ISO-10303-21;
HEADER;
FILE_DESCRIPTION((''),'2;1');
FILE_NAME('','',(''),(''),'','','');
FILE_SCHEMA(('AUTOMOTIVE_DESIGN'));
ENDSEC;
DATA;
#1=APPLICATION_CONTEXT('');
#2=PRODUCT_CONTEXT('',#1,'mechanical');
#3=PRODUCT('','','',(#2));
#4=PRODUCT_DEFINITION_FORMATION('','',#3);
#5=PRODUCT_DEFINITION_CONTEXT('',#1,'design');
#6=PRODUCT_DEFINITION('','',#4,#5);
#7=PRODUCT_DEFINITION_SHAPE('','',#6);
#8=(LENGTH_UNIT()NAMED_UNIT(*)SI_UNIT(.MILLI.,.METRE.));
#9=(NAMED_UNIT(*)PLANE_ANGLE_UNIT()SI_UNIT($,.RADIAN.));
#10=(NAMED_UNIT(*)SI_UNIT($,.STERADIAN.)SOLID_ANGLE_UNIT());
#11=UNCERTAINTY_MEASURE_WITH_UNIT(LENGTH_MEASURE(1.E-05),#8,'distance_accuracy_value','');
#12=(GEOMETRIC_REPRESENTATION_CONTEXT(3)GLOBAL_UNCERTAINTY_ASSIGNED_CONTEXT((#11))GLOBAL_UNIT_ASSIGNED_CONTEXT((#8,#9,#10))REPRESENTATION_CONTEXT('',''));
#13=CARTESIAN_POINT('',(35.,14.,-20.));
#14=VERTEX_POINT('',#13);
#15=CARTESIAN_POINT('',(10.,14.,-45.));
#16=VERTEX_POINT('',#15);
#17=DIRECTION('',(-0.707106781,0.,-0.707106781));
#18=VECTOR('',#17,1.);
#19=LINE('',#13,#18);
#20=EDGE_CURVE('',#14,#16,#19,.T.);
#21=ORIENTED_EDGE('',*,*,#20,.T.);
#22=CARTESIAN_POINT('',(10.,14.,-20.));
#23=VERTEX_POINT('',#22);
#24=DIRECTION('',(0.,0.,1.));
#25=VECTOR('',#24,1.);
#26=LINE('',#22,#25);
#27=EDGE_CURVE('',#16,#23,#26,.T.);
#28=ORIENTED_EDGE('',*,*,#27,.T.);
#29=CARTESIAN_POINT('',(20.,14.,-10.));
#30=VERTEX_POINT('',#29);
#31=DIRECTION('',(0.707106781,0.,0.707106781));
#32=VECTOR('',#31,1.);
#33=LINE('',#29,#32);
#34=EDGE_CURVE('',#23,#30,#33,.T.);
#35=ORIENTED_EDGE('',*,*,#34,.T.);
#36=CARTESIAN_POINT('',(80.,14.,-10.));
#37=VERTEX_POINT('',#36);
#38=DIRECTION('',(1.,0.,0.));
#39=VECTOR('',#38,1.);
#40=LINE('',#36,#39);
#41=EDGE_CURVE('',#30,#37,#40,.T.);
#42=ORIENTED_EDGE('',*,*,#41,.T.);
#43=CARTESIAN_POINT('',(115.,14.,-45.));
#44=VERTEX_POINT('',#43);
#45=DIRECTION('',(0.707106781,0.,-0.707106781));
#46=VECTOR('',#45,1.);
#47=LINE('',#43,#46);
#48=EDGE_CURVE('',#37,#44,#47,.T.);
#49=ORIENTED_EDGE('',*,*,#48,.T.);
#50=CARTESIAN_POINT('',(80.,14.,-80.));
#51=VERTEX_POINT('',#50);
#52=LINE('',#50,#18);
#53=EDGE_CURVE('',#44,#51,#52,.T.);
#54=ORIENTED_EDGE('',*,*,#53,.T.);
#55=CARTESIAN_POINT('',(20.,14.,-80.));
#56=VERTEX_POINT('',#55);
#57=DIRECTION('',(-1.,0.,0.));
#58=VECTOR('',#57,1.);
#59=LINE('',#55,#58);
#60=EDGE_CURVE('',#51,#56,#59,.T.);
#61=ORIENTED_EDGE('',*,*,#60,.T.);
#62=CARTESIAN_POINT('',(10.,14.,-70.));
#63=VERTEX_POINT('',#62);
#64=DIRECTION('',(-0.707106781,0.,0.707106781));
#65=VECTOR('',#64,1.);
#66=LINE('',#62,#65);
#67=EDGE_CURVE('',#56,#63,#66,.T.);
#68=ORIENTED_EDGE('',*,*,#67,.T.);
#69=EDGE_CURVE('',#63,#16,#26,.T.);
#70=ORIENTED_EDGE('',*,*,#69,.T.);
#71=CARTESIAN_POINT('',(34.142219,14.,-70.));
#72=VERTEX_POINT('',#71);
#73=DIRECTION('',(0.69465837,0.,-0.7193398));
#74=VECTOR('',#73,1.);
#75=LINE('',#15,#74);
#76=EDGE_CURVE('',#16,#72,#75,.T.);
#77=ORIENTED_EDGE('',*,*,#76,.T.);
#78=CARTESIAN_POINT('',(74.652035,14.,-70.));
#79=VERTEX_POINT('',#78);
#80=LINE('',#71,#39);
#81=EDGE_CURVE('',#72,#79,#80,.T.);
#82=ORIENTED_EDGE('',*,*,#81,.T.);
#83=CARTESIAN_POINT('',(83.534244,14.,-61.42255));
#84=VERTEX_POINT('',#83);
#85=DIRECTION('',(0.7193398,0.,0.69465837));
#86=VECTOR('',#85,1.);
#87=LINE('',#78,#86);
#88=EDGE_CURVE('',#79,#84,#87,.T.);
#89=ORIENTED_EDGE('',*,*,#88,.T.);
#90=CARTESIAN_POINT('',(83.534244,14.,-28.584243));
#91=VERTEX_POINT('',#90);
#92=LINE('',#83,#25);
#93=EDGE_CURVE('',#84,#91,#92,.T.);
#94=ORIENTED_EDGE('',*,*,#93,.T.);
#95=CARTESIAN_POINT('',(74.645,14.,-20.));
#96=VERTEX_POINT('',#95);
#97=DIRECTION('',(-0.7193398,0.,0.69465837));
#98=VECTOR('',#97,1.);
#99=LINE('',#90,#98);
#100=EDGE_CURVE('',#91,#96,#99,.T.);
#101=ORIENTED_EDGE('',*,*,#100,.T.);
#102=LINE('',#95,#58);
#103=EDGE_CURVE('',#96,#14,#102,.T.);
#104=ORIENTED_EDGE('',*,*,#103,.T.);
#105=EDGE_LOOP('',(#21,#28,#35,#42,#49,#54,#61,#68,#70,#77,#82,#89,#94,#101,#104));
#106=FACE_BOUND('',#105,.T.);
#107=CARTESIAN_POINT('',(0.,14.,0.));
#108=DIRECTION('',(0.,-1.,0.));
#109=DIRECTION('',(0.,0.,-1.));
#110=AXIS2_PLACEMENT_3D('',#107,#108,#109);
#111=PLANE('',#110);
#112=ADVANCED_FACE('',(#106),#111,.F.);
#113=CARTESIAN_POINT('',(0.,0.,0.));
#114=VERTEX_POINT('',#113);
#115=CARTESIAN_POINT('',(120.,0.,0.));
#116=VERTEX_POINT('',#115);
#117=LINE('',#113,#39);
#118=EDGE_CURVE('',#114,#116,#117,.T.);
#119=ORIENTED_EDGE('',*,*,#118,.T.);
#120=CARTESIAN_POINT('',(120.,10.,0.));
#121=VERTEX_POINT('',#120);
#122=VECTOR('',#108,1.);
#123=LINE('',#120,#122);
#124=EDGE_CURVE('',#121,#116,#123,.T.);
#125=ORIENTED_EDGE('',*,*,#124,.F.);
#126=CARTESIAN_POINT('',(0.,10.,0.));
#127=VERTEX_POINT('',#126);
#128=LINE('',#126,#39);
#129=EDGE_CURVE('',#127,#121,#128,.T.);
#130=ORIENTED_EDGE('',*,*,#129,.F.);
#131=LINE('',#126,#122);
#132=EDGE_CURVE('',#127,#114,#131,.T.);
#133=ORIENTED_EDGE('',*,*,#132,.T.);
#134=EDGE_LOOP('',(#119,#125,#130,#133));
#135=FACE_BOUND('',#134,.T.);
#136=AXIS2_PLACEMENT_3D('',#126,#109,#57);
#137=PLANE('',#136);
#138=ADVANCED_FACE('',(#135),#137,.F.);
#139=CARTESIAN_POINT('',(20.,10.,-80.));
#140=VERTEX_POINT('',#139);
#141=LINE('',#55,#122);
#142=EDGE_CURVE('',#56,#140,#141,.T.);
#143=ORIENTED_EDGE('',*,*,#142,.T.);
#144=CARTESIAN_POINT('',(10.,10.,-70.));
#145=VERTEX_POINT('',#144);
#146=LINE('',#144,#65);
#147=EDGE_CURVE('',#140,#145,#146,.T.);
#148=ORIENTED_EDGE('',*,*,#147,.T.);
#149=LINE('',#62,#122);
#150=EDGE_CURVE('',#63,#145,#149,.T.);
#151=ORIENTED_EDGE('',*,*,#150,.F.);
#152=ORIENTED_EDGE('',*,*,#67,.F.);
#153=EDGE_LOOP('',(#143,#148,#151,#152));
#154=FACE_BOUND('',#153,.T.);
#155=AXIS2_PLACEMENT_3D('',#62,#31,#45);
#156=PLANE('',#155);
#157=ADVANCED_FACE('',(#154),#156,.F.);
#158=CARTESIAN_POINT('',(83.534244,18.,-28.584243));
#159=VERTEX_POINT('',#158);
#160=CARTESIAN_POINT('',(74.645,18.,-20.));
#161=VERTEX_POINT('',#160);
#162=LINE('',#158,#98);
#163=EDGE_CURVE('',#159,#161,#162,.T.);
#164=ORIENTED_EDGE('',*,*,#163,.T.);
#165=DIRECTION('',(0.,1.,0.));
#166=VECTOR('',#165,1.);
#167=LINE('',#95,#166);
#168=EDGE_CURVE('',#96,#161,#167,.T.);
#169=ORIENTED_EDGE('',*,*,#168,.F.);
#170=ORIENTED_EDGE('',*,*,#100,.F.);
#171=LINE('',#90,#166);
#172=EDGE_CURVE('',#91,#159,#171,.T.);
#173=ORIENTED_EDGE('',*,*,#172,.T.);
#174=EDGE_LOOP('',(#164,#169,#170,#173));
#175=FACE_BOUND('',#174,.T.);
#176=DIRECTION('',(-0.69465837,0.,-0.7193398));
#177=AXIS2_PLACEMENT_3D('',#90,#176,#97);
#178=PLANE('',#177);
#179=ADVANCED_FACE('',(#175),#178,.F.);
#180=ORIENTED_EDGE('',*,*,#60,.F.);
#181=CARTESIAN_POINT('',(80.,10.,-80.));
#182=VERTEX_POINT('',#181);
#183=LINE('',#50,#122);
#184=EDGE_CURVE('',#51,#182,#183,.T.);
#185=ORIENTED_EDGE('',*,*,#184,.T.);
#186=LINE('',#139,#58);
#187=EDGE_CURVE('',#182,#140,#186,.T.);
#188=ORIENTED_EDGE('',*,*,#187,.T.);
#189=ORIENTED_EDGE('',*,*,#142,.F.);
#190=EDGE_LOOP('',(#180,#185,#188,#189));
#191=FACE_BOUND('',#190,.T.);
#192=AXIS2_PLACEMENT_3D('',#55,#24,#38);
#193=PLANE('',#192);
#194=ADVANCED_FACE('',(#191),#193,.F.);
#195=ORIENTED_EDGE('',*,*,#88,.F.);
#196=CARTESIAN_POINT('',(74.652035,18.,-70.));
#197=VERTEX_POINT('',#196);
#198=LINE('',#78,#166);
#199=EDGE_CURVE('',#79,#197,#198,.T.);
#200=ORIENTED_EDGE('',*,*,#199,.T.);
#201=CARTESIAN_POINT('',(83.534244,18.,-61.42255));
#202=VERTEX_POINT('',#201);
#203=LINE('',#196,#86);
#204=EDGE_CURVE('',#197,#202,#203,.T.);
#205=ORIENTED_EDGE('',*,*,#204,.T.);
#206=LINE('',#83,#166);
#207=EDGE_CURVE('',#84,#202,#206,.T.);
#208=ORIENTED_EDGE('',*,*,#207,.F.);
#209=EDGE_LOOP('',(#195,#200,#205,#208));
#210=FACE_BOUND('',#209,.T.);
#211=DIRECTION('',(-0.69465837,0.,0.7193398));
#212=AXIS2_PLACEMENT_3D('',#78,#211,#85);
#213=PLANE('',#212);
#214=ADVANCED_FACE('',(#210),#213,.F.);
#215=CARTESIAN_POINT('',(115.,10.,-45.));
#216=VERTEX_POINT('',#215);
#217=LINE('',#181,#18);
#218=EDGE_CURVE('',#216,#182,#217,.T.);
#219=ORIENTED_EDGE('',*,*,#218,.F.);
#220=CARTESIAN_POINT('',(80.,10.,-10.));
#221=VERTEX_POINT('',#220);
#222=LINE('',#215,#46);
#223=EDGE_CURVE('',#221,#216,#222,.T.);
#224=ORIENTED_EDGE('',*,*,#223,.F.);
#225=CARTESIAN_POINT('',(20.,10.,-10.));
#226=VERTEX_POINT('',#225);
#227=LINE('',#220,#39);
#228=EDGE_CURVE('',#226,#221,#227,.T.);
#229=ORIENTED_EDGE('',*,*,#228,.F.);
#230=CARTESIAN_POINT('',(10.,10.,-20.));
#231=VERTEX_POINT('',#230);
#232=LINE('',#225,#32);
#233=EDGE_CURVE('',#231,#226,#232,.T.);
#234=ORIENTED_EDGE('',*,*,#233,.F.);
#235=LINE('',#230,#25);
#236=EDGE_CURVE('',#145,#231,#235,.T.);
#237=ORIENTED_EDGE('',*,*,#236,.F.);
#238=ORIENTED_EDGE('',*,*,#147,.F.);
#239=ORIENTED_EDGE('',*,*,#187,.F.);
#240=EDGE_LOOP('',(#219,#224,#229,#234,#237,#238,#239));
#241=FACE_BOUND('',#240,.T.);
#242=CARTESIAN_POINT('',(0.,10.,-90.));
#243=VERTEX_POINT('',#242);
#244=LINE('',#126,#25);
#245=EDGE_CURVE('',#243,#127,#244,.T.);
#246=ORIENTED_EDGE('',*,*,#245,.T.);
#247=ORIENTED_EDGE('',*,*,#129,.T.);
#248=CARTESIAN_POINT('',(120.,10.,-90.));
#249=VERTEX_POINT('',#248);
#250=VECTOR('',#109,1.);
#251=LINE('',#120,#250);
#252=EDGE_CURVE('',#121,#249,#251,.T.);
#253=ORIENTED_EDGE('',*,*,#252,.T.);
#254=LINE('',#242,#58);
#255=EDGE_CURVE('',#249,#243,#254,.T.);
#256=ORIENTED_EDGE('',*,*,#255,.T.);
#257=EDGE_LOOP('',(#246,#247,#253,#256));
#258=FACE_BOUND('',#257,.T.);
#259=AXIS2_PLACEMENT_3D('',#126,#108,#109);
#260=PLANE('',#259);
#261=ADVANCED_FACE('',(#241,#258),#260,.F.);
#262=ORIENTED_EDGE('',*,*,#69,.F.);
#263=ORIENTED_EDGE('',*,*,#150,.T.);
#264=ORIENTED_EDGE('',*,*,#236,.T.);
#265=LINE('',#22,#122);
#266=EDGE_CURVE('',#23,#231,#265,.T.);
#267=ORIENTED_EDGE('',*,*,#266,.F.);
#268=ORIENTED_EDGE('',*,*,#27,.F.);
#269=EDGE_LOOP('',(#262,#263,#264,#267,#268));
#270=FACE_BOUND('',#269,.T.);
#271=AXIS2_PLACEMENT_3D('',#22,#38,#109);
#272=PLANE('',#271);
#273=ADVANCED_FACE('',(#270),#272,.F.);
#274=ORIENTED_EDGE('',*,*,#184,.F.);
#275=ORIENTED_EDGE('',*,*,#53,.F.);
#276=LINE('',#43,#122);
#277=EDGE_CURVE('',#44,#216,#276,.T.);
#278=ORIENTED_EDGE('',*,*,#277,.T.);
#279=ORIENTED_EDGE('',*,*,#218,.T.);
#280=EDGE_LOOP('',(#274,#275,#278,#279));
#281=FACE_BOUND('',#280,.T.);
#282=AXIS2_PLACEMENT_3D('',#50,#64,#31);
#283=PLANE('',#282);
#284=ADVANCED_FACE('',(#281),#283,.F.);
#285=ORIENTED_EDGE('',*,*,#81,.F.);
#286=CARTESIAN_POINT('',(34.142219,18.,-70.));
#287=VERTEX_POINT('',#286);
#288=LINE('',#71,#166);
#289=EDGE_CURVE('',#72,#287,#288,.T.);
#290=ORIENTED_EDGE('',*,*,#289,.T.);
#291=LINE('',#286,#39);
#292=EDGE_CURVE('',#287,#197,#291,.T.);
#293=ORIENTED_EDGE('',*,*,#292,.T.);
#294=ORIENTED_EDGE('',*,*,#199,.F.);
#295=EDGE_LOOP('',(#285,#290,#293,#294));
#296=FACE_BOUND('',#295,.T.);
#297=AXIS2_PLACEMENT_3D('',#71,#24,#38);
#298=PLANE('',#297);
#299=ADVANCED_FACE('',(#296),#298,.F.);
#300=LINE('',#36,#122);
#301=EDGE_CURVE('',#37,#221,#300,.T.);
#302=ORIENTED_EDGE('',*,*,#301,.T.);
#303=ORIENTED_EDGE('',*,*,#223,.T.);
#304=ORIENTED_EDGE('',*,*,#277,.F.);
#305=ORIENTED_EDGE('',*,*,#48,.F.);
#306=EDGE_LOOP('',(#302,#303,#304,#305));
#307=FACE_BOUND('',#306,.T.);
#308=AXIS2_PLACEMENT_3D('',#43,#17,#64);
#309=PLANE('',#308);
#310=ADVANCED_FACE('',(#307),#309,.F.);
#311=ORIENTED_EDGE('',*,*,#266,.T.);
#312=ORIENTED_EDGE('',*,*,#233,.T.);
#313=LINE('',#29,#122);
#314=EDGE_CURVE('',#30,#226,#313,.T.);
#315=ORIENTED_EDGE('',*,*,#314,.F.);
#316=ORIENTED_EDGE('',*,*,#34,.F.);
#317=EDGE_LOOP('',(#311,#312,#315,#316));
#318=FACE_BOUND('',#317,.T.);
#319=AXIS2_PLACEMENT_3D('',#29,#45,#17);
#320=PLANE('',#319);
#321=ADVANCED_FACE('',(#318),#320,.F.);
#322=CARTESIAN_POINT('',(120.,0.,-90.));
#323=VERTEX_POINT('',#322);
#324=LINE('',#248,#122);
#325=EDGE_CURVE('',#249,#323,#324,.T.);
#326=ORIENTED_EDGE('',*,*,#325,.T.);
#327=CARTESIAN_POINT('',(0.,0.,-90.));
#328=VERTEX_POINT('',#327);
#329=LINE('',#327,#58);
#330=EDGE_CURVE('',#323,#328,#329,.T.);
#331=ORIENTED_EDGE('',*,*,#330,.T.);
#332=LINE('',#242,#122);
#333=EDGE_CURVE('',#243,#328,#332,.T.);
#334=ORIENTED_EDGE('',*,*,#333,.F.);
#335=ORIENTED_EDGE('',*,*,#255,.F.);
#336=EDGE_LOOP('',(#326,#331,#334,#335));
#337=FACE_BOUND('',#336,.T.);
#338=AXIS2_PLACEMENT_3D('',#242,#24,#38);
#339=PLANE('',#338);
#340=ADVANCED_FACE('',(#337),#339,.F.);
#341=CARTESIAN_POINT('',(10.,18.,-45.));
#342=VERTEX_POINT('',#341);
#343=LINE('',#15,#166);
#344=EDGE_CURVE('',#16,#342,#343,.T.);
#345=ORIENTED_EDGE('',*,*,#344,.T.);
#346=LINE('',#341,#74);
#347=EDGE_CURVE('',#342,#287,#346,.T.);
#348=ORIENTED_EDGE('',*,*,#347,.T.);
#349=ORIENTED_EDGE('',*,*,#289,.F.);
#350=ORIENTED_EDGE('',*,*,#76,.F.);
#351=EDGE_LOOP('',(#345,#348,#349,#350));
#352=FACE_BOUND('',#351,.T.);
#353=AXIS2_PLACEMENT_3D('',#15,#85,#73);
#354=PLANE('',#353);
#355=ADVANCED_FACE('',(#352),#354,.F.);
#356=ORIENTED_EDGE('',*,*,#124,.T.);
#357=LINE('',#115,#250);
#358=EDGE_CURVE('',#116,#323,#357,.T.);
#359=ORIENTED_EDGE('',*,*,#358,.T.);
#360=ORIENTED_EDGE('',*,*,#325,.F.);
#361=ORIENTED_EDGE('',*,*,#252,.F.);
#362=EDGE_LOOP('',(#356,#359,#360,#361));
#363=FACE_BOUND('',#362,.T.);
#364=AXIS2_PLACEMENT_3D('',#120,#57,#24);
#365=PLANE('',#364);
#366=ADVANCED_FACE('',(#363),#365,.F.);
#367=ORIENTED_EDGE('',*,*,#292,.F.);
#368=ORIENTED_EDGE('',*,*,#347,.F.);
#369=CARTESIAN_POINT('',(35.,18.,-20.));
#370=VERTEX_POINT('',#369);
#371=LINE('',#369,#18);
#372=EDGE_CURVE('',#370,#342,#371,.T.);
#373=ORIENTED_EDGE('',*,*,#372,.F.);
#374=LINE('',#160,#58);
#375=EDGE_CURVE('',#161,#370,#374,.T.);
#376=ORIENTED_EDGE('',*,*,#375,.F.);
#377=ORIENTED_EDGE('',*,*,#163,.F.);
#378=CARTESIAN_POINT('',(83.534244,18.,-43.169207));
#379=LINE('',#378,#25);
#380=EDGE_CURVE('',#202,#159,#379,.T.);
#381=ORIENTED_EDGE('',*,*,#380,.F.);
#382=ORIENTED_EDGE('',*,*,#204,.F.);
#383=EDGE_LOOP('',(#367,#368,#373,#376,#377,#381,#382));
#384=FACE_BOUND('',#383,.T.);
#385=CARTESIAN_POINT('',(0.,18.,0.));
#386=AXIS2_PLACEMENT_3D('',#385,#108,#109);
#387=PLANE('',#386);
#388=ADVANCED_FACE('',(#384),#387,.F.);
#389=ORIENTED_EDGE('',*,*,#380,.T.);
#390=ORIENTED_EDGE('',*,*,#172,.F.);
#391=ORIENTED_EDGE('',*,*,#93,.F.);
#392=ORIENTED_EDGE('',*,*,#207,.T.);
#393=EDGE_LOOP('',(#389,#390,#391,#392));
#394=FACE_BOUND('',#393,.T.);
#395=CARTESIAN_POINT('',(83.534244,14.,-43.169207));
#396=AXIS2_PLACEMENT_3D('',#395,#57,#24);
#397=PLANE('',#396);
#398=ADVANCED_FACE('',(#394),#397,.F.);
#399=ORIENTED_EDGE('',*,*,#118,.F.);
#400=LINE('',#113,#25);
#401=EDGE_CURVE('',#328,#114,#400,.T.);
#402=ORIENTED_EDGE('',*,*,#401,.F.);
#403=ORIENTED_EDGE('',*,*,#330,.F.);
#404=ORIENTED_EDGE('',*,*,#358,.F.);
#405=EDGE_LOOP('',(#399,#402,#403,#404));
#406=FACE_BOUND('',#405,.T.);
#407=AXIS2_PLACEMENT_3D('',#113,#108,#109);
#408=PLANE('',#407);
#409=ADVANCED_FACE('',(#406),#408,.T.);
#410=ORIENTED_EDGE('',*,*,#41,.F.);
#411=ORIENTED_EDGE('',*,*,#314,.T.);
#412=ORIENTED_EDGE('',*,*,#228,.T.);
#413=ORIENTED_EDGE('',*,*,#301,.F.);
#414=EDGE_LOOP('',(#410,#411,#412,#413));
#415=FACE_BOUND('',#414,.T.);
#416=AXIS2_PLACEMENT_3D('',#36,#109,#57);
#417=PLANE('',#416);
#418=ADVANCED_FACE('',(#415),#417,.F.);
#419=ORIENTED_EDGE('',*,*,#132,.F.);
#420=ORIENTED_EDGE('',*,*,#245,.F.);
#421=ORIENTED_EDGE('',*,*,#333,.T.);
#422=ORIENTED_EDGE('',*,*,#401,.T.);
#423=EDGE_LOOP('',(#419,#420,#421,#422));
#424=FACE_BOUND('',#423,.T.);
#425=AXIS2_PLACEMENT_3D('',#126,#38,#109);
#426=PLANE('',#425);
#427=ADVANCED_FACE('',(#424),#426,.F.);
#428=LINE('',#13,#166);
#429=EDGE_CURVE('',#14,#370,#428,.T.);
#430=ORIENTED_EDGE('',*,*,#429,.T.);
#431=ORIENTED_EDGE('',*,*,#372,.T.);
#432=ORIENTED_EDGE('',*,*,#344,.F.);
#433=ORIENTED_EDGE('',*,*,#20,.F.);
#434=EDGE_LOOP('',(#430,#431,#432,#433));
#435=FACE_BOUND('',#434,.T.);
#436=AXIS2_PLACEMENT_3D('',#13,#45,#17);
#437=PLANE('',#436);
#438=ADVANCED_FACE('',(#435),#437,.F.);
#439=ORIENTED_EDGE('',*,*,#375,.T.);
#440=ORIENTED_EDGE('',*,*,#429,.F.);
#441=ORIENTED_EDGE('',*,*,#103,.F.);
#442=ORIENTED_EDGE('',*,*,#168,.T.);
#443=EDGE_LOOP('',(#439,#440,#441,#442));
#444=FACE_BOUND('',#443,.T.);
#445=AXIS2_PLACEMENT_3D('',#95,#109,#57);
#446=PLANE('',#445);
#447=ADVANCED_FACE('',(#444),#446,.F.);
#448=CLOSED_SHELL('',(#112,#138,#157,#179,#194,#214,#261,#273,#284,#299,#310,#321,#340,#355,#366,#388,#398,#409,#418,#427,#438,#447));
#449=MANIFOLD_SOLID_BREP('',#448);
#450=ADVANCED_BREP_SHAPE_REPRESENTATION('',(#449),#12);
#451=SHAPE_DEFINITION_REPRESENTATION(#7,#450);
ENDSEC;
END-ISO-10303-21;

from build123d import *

# Parameters (mm, degrees)
SKETCH1_W           = 120
SKETCH1_H           = 90
BOSS_EXTRUDE1_DEPTH = 10
BOSS_EXTRUDE2_DEPTH = 4
BOSS_EXTRUDE3_DEPTH = 4


with BuildPart() as part:
    # Sketch1 → Boss-Extrude1 (new body)
    with BuildSketch(Plane(origin=(0, 0, 0), x_dir=(1, 0, 0), z_dir=(0, 1, 0))):
        with Locations((60, 45)):
            Rectangle(SKETCH1_W, SKETCH1_H)
    extrude(amount=BOSS_EXTRUDE1_DEPTH)

    # Sketch2 → Boss-Extrude2 (add)
    with BuildSketch(Plane(origin=(0, 10, 0), x_dir=(1, 0, 0), z_dir=(0, 1, 0))):
        Polygon((10, 70), (20, 80), (80, 80), (115, 45), (80, 10), (20, 10), (10, 20), align=None)
    extrude(amount=BOSS_EXTRUDE2_DEPTH)

    # Sketch3 → Boss-Extrude3 (add)
    with BuildSketch(Plane(origin=(0, 18, 0), x_dir=(-1, 0, 0), z_dir=(0, -1, 0))):
        Polygon((-10, 45), (-34.14221937, 70), (-74.652034735, 70), (-83.534243972, 61.422550244), (-83.534243972, 43.169206873), (-83.534243972, 28.58424312), (-74.645, 20), (-35, 20), align=None)
    extrude(amount=BOSS_EXTRUDE3_DEPTH)


solid = part.part
